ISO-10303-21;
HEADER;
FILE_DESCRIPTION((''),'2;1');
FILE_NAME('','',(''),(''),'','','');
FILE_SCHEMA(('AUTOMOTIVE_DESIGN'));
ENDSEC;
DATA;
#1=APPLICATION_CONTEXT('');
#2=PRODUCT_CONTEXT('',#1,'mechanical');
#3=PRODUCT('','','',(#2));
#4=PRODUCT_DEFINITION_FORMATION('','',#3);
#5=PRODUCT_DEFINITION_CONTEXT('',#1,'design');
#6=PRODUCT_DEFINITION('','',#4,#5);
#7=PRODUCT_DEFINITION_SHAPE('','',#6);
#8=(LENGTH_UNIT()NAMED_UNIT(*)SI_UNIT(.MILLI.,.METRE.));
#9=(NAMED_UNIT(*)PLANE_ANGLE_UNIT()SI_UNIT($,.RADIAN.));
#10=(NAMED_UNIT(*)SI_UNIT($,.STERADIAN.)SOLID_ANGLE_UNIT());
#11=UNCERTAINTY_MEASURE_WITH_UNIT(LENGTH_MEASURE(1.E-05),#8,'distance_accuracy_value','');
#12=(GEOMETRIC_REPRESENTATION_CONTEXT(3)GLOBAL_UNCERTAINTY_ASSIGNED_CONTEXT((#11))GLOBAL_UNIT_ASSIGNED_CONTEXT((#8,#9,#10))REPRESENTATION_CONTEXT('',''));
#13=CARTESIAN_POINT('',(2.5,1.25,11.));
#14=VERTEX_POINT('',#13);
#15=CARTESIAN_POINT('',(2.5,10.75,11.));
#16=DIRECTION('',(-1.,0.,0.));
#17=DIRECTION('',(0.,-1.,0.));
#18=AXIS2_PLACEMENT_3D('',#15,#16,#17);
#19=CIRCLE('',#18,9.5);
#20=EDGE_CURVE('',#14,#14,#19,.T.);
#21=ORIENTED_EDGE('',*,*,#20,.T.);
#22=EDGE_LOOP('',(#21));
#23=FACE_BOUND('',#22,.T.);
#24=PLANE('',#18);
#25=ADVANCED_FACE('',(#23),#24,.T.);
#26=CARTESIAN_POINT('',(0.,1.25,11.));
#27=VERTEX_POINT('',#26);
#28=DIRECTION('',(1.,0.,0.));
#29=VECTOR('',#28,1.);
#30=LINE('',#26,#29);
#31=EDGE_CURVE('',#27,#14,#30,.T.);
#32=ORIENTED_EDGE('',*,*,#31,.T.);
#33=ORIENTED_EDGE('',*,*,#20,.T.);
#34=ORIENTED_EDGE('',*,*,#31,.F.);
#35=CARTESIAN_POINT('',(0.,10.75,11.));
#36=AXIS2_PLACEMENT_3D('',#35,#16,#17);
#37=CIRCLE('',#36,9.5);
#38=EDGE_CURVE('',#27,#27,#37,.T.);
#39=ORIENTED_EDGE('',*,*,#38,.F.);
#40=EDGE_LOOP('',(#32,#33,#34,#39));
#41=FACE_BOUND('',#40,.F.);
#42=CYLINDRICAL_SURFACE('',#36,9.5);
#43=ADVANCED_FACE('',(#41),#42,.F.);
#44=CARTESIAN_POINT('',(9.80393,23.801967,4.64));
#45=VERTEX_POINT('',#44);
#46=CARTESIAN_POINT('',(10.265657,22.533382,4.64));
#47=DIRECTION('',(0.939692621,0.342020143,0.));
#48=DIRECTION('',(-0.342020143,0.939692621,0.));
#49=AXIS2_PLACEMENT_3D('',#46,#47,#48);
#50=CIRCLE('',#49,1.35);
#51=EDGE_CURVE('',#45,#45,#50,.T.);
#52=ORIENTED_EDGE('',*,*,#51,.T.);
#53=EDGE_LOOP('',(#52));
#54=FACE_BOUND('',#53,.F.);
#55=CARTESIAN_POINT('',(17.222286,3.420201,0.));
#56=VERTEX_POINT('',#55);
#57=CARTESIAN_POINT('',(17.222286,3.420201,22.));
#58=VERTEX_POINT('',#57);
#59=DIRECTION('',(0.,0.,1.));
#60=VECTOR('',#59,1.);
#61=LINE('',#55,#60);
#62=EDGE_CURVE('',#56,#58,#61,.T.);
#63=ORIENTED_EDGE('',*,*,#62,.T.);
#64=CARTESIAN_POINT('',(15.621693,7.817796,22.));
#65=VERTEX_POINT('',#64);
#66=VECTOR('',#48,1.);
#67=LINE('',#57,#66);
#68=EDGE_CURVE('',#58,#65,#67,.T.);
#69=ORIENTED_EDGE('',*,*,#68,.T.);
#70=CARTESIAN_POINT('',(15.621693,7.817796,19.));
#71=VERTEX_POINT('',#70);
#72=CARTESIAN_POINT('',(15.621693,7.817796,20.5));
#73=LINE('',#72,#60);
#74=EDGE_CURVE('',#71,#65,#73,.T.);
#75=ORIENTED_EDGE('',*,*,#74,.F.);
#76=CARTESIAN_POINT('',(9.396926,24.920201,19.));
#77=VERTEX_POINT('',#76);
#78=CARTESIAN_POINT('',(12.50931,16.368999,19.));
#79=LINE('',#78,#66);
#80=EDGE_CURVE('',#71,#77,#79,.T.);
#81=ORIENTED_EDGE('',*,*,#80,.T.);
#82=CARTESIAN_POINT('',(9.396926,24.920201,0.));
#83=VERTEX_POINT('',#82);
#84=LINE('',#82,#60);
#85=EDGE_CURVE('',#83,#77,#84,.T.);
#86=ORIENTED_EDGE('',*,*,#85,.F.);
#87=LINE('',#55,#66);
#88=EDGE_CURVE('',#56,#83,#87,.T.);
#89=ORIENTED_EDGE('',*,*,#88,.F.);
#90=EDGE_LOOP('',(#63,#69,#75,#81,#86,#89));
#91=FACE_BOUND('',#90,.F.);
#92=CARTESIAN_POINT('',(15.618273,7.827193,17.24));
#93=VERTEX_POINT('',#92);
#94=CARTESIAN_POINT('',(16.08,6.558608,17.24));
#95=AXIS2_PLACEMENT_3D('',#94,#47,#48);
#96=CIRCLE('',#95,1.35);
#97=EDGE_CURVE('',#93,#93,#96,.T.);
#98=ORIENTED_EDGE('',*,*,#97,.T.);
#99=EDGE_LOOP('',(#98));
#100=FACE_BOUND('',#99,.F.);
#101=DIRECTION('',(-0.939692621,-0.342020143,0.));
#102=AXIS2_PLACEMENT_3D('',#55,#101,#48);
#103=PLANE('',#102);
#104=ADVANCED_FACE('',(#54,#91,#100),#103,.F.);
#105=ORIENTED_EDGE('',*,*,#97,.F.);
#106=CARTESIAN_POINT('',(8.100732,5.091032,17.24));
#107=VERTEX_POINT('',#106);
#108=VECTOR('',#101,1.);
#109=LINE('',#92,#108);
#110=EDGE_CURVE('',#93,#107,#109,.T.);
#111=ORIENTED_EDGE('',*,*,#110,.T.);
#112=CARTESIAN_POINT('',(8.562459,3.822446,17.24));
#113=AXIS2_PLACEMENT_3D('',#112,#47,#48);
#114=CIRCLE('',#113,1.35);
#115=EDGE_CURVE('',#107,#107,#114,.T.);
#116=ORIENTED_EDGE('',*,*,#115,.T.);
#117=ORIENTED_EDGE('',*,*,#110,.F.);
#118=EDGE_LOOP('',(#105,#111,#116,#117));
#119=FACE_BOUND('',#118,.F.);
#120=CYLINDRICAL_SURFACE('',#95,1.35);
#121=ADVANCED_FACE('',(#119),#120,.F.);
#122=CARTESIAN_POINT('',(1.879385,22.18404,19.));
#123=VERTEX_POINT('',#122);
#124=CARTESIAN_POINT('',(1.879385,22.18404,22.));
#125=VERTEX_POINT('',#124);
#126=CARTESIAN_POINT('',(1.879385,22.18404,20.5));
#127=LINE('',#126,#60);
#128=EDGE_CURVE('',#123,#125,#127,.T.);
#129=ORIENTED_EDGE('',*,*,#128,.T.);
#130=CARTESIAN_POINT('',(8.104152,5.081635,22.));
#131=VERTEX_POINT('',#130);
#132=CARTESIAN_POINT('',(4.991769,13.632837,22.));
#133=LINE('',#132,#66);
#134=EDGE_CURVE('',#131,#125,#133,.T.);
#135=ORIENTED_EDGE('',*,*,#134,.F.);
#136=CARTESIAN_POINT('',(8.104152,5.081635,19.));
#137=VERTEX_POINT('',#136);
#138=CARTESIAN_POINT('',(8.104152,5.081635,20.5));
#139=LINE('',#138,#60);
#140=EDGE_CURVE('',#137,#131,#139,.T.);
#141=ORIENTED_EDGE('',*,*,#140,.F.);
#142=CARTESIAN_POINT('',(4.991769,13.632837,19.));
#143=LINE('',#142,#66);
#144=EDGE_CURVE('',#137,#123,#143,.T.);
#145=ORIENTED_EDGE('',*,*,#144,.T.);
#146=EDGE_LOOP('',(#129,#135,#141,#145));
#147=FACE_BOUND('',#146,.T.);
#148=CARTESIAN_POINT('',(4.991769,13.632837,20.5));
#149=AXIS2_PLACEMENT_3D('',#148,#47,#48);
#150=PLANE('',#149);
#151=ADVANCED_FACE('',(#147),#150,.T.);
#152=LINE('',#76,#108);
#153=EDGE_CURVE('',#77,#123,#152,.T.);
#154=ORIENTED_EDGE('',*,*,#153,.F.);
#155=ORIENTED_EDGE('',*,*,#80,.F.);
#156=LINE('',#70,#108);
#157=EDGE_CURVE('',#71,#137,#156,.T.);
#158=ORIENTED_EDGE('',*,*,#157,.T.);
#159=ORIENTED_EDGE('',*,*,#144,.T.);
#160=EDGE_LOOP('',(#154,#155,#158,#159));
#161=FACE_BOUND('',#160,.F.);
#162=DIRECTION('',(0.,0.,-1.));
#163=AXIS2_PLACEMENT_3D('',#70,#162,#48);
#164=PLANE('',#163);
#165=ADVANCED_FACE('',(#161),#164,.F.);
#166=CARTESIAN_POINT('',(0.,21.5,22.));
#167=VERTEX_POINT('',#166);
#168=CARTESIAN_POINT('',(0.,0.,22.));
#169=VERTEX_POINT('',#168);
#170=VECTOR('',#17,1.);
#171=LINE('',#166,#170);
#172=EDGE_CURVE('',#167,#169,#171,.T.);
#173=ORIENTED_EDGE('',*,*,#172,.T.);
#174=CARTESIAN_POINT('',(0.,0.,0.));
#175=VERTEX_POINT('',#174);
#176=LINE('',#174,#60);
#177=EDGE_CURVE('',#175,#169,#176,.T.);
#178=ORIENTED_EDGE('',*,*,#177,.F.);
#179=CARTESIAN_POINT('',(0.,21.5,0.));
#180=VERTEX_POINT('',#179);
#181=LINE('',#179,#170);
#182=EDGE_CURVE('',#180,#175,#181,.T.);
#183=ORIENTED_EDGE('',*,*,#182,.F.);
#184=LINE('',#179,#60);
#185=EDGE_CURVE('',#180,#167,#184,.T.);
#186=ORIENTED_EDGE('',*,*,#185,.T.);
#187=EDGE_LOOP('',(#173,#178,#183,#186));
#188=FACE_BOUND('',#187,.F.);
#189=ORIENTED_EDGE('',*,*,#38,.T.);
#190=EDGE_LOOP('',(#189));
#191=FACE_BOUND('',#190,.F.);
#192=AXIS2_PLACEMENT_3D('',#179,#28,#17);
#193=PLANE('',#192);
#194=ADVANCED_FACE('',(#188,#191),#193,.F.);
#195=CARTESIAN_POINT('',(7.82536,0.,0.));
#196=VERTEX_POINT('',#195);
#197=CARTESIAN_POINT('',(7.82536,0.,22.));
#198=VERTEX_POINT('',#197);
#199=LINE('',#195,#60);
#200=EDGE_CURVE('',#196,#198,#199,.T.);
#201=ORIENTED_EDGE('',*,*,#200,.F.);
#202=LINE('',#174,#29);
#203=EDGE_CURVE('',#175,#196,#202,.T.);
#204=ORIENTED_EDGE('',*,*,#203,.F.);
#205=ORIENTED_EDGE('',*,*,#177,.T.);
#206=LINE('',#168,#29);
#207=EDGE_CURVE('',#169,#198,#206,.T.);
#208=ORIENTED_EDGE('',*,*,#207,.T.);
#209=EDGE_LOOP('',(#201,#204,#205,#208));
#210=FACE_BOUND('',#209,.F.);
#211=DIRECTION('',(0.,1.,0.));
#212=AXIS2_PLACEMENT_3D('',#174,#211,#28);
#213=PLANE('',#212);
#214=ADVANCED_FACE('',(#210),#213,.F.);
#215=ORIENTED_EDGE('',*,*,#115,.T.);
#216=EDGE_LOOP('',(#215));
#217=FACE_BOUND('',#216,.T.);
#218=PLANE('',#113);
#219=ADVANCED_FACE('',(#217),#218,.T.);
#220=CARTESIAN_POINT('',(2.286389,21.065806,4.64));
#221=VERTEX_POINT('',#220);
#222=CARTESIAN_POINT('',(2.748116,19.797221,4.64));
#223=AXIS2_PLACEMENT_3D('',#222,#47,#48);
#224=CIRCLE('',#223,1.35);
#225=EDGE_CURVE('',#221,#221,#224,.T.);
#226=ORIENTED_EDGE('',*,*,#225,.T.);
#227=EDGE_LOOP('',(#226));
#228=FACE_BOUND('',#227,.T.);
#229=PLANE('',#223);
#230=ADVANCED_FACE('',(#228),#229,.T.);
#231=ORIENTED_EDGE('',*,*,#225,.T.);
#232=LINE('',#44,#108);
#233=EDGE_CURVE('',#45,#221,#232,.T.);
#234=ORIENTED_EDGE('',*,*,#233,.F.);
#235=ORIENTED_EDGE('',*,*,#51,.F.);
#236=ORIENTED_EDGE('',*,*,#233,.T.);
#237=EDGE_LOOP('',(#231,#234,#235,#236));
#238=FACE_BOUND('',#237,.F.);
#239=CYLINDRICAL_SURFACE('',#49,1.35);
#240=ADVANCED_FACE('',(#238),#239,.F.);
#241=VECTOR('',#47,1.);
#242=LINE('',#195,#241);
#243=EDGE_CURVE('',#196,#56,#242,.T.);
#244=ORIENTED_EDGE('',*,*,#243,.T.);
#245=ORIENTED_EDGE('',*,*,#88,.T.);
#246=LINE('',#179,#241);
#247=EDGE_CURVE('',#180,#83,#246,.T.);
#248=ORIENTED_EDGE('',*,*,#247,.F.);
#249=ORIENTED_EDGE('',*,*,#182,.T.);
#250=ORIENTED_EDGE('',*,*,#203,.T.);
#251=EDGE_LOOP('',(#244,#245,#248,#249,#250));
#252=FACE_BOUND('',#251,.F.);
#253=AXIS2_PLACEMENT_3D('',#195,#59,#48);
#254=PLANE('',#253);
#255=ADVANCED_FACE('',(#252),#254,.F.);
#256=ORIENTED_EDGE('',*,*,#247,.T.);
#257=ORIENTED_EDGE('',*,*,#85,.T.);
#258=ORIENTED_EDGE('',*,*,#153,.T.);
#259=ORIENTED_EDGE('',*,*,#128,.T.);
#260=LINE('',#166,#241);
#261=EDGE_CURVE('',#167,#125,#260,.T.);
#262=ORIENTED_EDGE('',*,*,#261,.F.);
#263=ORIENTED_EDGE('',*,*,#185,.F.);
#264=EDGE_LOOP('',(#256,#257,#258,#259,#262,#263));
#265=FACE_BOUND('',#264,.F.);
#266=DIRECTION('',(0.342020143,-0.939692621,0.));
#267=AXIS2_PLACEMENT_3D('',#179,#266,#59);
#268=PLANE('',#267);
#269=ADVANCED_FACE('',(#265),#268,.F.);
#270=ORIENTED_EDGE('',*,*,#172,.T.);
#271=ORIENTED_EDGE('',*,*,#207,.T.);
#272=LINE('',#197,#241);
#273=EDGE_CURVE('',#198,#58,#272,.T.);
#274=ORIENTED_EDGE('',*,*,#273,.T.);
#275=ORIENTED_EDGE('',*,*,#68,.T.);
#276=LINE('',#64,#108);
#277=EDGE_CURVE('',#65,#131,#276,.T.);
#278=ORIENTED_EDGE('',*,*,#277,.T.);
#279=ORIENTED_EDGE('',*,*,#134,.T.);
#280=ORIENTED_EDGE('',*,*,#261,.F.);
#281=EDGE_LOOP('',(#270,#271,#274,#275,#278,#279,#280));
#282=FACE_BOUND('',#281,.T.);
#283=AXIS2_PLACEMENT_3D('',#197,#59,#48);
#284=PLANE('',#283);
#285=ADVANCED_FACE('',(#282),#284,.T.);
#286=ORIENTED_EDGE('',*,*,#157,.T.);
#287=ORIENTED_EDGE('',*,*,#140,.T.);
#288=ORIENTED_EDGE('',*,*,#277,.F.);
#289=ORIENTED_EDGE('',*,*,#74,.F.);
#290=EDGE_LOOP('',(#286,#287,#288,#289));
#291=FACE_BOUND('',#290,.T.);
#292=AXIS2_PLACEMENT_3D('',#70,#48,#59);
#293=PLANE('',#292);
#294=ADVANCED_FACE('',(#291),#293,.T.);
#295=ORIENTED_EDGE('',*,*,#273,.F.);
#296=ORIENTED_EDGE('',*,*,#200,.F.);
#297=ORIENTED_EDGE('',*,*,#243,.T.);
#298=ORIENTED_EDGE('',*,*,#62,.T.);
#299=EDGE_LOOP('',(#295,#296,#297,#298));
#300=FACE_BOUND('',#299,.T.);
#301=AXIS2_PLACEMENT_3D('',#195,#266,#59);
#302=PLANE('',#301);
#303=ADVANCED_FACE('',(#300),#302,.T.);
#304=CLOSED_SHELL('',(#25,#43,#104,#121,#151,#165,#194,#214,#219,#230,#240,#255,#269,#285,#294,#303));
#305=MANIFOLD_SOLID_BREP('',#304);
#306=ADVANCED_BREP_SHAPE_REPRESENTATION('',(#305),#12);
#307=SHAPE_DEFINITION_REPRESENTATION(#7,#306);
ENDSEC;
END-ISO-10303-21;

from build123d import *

# Parameters (mm, degrees)
F1_DEPTH = 22
F2_DEPTH = 10
F3_R     = 9.5
F4_DEPTH = 2.5
F5_R     = 1.35
F5_W     = 18.2
F5_H     = 3
F6_DEPTH = 8


with BuildPart() as f1:
    # F0 (on Top) → F1 (new body)
    with BuildSketch(Plane.XY):
        Polygon((0, 21.5), (0, 0), (7.8253600367, 0), align=None)
    extrude(amount=F1_DEPTH)

    # F2 (add): a face of the model
    f2_faces = [f1.faces().sort_by_distance(p)[0] for p in [
        (3.9126800184, 10.75, 11),
    ]]
    extrude(f2_faces, amount=F2_DEPTH)

    # F3 (on face) → F4 (cut)
    with BuildSketch(Plane(origin=(0, 0, 0), x_dir=(0, -1, 0), z_dir=(-1, 0, 0))):
        with Locations((-10.75, 11)):
            Circle(F3_R)
    extrude(amount=-F4_DEPTH, mode=Mode.SUBTRACT)

    # F5 (on face) → F6 (cut)
    with BuildSketch(Plane(origin=(16.306893012, 5.9352236697, 0), x_dir=(-0.3420201433, 0.9396926208, 0), z_dir=(0.9396926208, 0.3420201433, 0))):
        with Locations((0.6633913469, 17.24)):
            Circle(F5_R)
        with Locations((17.6633913469, 4.64)):
            Circle(F5_R)
        with Locations((11.1033913469, 20.5)):
            Rectangle(F5_W, F5_H)
    extrude(amount=-F6_DEPTH, mode=Mode.SUBTRACT)


solid = f1.part
